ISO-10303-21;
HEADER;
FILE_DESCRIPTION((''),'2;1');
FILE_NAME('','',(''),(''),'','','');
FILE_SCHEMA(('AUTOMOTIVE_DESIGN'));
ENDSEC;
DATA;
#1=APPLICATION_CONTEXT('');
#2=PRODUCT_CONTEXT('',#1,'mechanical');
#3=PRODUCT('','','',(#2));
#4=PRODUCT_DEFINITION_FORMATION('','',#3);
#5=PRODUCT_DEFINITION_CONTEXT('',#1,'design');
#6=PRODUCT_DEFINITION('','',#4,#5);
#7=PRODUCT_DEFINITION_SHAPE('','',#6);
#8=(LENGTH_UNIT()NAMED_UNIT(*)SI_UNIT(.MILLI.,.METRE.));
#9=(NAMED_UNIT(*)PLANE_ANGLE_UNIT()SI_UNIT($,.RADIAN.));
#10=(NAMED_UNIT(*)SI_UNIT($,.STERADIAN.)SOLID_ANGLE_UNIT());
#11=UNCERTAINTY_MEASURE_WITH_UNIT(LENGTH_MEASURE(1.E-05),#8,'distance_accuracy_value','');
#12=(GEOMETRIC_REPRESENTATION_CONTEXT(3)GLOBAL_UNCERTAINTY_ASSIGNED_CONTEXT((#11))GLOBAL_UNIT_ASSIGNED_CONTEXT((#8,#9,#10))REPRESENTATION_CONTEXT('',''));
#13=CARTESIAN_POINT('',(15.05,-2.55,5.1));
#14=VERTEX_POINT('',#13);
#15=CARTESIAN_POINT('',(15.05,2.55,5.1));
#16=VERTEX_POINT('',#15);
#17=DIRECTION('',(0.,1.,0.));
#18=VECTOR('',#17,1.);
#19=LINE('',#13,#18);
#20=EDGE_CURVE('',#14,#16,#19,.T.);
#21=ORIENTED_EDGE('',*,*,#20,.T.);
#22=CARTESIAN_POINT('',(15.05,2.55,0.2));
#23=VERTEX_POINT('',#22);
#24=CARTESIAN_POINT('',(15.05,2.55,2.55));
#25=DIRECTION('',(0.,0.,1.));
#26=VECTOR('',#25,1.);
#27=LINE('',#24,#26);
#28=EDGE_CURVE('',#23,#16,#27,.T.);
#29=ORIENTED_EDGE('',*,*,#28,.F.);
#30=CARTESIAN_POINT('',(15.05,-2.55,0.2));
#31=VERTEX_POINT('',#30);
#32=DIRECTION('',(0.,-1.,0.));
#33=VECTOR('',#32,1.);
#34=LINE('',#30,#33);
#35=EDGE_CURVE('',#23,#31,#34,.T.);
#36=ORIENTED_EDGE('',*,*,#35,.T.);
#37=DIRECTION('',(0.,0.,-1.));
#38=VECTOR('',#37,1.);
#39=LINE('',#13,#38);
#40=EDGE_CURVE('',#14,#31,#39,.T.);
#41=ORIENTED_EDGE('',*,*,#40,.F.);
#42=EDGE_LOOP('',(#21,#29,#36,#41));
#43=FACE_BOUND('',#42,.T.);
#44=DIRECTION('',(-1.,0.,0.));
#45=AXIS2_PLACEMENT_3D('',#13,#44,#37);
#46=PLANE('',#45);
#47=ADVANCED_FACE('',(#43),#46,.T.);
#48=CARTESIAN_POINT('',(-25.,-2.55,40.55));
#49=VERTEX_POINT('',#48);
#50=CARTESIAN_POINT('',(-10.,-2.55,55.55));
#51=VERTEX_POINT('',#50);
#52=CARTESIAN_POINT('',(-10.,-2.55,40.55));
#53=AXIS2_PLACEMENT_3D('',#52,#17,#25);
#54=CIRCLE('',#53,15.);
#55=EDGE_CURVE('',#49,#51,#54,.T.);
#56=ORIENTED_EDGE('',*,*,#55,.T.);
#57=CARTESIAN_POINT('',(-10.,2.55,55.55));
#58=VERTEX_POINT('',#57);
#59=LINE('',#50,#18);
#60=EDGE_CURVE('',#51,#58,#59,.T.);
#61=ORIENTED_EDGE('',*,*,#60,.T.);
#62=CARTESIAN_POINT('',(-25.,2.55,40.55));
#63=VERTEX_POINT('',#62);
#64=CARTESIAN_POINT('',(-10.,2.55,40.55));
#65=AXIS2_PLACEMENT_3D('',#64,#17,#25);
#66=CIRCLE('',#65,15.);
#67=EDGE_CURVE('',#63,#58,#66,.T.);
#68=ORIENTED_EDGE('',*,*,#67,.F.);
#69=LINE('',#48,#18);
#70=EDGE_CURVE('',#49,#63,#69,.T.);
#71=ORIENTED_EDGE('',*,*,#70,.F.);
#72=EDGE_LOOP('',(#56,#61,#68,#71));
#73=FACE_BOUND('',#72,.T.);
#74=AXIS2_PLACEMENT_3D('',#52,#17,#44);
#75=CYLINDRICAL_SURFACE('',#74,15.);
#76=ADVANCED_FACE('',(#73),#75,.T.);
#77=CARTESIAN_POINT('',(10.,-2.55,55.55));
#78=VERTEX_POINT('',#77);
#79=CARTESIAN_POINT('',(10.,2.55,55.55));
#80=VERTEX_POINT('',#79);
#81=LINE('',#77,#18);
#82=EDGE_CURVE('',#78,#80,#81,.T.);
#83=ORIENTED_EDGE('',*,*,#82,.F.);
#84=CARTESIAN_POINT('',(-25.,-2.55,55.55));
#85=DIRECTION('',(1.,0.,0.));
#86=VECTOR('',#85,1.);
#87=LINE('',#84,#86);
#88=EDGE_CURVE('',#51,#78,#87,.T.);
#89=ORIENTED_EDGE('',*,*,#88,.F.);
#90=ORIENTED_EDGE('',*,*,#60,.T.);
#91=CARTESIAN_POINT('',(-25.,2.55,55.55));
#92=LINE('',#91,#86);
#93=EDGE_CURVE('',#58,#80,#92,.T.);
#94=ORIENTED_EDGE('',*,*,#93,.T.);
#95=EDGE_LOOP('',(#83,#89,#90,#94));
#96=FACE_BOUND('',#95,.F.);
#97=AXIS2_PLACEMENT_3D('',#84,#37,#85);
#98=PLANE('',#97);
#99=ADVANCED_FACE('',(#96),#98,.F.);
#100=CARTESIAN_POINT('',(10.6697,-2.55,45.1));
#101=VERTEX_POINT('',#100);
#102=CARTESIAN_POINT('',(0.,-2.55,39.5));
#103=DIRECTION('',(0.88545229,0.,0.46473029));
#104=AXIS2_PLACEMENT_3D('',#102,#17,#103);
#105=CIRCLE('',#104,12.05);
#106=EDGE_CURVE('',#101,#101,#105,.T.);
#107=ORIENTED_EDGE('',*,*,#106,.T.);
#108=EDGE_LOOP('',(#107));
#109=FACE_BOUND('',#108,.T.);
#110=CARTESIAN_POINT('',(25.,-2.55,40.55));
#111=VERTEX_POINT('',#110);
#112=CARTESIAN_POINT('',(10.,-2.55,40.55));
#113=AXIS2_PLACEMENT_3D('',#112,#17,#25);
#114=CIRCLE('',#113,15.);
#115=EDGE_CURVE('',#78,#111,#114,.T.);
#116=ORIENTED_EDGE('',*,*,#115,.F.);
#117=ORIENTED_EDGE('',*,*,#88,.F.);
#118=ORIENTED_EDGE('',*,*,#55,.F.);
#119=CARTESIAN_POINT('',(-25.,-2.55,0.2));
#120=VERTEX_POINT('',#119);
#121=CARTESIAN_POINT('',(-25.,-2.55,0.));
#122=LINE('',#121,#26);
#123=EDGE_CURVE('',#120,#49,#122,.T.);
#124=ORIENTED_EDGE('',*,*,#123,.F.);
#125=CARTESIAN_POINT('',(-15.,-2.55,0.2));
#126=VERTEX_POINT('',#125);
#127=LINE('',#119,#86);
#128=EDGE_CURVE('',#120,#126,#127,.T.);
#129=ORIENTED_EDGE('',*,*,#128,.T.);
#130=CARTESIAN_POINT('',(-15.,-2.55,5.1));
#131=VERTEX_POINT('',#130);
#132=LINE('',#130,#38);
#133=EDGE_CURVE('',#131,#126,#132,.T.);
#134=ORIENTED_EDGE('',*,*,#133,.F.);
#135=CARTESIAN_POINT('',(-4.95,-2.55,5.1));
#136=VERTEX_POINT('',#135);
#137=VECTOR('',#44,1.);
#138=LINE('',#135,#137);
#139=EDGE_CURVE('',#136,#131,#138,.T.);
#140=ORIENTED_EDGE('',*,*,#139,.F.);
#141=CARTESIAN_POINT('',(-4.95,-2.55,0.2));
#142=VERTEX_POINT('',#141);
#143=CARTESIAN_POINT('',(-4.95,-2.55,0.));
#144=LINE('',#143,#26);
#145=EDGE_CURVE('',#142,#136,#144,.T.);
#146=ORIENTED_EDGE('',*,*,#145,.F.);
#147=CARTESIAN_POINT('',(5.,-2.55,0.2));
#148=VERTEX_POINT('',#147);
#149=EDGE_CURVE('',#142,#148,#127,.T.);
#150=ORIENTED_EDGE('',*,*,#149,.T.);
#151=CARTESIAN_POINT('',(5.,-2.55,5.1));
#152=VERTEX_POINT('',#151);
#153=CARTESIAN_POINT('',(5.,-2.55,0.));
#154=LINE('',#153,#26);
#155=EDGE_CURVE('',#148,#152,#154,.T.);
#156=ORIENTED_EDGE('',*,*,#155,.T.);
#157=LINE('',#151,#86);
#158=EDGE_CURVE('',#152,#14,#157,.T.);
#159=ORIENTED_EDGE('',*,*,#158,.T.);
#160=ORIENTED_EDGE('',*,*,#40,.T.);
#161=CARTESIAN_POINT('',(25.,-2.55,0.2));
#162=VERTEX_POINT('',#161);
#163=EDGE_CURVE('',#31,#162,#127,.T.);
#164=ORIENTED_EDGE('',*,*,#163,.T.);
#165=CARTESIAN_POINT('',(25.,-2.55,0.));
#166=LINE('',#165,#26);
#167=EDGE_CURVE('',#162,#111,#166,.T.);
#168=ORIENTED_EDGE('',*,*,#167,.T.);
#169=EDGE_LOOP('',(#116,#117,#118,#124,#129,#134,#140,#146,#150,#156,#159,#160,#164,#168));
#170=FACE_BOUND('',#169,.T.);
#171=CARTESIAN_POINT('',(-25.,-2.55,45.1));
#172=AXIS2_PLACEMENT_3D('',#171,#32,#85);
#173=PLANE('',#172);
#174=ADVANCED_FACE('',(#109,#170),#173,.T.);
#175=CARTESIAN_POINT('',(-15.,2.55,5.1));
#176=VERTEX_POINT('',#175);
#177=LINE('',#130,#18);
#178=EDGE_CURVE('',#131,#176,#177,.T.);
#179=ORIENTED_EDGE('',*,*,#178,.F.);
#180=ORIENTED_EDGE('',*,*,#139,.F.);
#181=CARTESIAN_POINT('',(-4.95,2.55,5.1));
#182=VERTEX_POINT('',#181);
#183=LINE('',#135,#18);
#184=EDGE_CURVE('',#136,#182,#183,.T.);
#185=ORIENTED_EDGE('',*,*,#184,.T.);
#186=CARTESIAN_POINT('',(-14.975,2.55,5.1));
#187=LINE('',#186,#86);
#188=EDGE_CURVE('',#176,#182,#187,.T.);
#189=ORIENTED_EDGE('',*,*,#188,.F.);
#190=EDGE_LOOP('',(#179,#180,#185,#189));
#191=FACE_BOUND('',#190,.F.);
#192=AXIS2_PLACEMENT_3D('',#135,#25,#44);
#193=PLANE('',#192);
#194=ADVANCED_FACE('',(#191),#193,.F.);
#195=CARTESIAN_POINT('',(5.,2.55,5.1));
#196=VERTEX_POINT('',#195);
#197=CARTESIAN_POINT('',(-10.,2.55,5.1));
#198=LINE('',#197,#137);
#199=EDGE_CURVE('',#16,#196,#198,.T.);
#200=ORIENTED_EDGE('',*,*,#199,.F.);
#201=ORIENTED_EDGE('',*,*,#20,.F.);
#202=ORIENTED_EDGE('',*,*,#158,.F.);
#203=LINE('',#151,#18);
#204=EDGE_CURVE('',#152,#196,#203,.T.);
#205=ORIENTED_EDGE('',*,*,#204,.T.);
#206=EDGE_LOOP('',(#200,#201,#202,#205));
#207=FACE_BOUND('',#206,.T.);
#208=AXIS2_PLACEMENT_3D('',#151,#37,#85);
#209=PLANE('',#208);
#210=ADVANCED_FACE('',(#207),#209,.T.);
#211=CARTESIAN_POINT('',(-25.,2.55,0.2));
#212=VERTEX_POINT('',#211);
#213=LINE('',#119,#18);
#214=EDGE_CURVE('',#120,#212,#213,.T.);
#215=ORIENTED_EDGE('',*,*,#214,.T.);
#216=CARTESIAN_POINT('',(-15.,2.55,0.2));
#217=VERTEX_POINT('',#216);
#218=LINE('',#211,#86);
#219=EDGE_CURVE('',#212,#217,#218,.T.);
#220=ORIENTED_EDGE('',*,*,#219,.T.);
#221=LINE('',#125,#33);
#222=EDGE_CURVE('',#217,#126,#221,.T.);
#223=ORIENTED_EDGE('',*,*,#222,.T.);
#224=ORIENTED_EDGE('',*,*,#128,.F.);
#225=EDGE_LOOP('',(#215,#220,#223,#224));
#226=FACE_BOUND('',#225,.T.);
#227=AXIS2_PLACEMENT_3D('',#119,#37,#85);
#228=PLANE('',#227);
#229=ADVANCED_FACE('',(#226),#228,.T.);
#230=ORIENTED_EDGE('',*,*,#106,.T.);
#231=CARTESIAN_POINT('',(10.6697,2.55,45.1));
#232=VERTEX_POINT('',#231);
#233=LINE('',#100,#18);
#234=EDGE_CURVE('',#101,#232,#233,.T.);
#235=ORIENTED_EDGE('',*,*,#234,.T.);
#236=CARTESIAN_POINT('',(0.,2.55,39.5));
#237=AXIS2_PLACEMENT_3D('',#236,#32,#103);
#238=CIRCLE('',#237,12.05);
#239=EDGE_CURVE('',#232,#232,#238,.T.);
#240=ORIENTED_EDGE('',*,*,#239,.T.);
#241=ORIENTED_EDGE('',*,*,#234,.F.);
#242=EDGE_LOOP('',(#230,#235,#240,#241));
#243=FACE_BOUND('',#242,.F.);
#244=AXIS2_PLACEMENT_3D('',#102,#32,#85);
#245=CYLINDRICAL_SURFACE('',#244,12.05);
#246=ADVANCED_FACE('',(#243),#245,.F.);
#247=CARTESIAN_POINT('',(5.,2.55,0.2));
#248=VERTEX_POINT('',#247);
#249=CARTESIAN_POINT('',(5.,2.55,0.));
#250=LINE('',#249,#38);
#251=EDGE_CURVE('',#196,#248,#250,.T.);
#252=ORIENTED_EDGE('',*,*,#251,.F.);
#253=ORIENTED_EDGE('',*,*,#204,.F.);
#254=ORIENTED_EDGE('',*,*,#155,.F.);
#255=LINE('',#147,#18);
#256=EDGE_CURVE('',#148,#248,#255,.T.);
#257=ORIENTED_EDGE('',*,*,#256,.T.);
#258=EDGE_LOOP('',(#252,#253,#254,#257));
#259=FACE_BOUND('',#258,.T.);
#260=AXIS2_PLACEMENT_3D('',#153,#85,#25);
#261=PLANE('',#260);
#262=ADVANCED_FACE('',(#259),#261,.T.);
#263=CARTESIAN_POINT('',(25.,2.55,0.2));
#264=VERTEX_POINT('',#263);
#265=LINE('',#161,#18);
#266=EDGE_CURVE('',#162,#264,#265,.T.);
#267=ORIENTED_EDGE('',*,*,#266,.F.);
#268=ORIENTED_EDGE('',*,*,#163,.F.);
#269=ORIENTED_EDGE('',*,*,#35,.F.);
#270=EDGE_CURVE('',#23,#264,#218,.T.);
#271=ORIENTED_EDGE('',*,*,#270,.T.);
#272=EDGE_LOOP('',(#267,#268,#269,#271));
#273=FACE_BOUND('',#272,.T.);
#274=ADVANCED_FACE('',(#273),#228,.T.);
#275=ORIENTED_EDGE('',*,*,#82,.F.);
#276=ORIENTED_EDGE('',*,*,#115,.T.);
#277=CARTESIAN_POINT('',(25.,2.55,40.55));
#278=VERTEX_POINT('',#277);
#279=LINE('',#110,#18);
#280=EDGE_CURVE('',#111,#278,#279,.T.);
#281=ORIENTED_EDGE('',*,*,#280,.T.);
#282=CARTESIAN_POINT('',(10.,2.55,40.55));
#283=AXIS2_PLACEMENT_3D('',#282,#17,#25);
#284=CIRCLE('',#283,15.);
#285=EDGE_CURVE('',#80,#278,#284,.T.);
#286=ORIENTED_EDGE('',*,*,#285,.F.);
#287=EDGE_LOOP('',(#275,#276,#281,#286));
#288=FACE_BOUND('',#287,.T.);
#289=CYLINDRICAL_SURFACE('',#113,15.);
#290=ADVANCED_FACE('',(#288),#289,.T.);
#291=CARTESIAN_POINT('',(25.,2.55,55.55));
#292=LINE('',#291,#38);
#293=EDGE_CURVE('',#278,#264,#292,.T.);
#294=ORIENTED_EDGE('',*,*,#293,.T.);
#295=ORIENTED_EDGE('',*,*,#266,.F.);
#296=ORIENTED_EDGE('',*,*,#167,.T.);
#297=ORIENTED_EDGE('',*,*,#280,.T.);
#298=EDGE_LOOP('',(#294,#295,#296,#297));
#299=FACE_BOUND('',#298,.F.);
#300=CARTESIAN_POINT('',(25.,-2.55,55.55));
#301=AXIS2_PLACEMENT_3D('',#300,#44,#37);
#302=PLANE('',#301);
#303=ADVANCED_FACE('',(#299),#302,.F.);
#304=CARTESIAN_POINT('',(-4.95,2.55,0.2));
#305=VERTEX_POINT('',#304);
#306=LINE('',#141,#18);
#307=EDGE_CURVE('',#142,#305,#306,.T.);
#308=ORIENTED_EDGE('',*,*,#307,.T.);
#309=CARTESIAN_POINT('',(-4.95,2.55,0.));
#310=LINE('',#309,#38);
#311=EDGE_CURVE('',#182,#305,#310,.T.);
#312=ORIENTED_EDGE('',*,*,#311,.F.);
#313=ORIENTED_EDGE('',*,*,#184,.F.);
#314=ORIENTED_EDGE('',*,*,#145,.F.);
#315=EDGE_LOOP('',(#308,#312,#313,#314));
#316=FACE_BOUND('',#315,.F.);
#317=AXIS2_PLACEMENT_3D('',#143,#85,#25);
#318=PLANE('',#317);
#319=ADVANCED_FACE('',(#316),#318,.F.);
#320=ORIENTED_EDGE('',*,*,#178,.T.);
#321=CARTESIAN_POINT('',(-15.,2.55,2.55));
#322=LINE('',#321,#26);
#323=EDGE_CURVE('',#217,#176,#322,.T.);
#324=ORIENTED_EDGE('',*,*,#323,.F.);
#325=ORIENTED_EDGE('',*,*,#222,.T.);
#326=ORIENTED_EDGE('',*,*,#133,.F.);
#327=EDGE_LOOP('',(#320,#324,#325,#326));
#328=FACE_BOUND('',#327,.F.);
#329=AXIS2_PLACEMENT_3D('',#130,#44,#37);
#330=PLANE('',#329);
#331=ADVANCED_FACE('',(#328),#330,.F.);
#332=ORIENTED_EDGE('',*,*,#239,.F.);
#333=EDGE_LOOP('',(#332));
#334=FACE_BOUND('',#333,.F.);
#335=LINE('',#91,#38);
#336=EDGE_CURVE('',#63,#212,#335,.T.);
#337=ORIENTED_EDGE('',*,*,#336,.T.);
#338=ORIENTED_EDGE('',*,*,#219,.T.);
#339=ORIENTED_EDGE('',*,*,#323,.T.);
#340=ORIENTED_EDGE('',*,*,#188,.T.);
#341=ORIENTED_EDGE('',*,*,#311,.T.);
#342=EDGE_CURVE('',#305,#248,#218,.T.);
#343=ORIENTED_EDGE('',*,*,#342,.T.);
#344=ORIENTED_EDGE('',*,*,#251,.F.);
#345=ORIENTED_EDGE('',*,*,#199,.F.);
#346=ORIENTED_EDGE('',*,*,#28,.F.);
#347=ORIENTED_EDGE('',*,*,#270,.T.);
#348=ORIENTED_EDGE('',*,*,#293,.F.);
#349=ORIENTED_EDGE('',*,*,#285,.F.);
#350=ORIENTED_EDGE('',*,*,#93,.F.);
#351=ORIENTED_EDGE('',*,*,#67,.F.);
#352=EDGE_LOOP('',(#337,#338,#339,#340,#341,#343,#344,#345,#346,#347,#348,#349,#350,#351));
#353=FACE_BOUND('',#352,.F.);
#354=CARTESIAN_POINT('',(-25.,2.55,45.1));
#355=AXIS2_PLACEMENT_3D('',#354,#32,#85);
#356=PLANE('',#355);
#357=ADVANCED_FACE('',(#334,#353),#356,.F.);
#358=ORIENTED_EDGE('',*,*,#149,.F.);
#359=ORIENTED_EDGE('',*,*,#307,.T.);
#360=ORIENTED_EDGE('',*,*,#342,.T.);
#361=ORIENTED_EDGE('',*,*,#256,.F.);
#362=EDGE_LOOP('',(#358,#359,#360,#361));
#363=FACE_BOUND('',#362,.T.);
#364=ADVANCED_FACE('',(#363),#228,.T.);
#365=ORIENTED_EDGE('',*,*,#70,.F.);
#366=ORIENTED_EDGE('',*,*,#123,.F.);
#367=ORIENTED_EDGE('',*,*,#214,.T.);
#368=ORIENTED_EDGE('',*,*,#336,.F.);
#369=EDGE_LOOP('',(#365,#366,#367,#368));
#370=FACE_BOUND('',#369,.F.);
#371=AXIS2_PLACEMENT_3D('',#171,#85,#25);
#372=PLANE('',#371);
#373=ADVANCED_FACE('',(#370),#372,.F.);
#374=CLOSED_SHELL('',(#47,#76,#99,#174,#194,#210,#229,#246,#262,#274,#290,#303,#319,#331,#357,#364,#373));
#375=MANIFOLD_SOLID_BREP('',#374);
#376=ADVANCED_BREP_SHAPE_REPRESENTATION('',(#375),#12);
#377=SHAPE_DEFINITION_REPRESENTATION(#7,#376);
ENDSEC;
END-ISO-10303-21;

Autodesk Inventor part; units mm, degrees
ref_plane "YZ Plane" through (0, 0, 0) normal (1, 0, 0) x (0, 1, 0)
ref_plane "XZ Plane" through (0, 0, 0) normal (0, 1, 0) x (-1, 0, 0)
ref_plane "XY Plane" through (0, 0, 0) normal (0, 0, 1) x (1, 0, 0)
sketch "Sketch1" plane through (0, 0, 0) normal (0, 0, 1) x (1, 0, 0)
  line L0 (25, -2.55) -> (-25, -2.55)
  line L1 (-25, -2.55) -> (-25, 2.55)
  line L2 (-25, 2.55) -> (25, 2.55)
  line L3 (25, 2.55) -> (25, -2.55)
  line L4 (25, -2.55) -> (-25, 2.55) construction
  line L5 (-25, -2.55) -> (25, 2.55) construction
  point P0 (0, 0)
  dimension "d0" = 50
  dimension "d1" = 5.1
extrude "Extrusion1" add sketch "Sketch1" along normal blind 45.1
sketch "Sketch2" plane through (-25, -2.55, 0) normal (0, -1, 0) x (1, 0, 0)
  line L0 (50, 0) -> (0, 0) projected
  line L1 (10, 0) -> (20.05, 0)
  line L2 (20.05, 0) -> (20.05, 5.1)
  line L3 (20.05, 5.1) -> (10, 5.1)
  line L4 (10, 5.1) -> (10, 0)
  line L5 (40.05, 0) -> (30, 0)
  line L6 (30, 0) -> (30, 5.1)
  line L7 (30, 5.1) -> (40.05, 5.1)
  line L8 (40.05, 5.1) -> (40.05, 0)
  line L9 (50, 0) -> (50, 45.1) projected
  line L10 (0, 0) -> (0, 45.1) projected
  point P0 (25, 0)
  point P1 (40.05, 2.55)
  point P2 (10, 2.55)
  dimension "d5" = 5.1
  dimension "d9" = 5.1
  dimension "d17" = 9.95
  dimension "d24" = 9.95
  dimension "d25" = 10.05
  dimension "d26" = 10.05
extrude "Extrusion2" cut sketch "Sketch2" against normal blind 45.1
sketch "Sketch3" plane through (-25, -2.55, 45.1) normal (0, -1, 0) x (1, 0, 0)
  circle A0 centre (25, -5.6) radius 3.45
  line L0 (0, 0) -> (50, 0) projected
  circle A1 centre (25, -5.6) radius 12.05
  line L1 (50, 0) -> (0, 0)
  line L2 (0, 0) -> (0, 10.45)
  line L3 (0, 10.45) -> (50, 10.45)
  line L4 (50, 10.45) -> (50, 0)
  line L5 (0, -45.1) -> (0, 0) projected
  line L6 (50, -45.1) -> (50, 0) projected
  line L7 (0, -44.9) -> (50, -44.9)
  line L8 (50, -44.9) -> (50, -45.1)
  line L9 (50, -45.1) -> (0, -45.1)
  line L10 (0, -45.1) -> (0, -44.9)
  point P0 (25, -45.1)
  point P1 (14.3303, 0)
  point P2 (35.6697, 0)
  dimension "d12" = 6.9
  dimension "d13" = 5.6
  dimension "d14" = 25
  dimension "d19" = 24.1
  dimension "d20" = 16.05
  dimension "d27" = 0.2
extrude "Extrusion3" cut sketch "Sketch3" against normal blind 45.1 contours A0 | L0 A1 picked at (25.1386, -0.7251)
extrude "Extrusion4" add sketch "Sketch3" against normal up to surface (5.1 mm away) contours L2 L3 L4 L0 A1
extrude "Extrusion5" cut sketch "Sketch3" against normal through all contours L7 L6 L9 L5
fillet "Fillet1" radius 15 2 edges at (25, 0, 55.55) (-25, 0, 55.55)
equation "\"d24\" = d23"
equation "\"d26\" = d25"
equation "\"d23\" = d17"
properties part number "motorholder1A" material "Polycarbonate, Smoke"
